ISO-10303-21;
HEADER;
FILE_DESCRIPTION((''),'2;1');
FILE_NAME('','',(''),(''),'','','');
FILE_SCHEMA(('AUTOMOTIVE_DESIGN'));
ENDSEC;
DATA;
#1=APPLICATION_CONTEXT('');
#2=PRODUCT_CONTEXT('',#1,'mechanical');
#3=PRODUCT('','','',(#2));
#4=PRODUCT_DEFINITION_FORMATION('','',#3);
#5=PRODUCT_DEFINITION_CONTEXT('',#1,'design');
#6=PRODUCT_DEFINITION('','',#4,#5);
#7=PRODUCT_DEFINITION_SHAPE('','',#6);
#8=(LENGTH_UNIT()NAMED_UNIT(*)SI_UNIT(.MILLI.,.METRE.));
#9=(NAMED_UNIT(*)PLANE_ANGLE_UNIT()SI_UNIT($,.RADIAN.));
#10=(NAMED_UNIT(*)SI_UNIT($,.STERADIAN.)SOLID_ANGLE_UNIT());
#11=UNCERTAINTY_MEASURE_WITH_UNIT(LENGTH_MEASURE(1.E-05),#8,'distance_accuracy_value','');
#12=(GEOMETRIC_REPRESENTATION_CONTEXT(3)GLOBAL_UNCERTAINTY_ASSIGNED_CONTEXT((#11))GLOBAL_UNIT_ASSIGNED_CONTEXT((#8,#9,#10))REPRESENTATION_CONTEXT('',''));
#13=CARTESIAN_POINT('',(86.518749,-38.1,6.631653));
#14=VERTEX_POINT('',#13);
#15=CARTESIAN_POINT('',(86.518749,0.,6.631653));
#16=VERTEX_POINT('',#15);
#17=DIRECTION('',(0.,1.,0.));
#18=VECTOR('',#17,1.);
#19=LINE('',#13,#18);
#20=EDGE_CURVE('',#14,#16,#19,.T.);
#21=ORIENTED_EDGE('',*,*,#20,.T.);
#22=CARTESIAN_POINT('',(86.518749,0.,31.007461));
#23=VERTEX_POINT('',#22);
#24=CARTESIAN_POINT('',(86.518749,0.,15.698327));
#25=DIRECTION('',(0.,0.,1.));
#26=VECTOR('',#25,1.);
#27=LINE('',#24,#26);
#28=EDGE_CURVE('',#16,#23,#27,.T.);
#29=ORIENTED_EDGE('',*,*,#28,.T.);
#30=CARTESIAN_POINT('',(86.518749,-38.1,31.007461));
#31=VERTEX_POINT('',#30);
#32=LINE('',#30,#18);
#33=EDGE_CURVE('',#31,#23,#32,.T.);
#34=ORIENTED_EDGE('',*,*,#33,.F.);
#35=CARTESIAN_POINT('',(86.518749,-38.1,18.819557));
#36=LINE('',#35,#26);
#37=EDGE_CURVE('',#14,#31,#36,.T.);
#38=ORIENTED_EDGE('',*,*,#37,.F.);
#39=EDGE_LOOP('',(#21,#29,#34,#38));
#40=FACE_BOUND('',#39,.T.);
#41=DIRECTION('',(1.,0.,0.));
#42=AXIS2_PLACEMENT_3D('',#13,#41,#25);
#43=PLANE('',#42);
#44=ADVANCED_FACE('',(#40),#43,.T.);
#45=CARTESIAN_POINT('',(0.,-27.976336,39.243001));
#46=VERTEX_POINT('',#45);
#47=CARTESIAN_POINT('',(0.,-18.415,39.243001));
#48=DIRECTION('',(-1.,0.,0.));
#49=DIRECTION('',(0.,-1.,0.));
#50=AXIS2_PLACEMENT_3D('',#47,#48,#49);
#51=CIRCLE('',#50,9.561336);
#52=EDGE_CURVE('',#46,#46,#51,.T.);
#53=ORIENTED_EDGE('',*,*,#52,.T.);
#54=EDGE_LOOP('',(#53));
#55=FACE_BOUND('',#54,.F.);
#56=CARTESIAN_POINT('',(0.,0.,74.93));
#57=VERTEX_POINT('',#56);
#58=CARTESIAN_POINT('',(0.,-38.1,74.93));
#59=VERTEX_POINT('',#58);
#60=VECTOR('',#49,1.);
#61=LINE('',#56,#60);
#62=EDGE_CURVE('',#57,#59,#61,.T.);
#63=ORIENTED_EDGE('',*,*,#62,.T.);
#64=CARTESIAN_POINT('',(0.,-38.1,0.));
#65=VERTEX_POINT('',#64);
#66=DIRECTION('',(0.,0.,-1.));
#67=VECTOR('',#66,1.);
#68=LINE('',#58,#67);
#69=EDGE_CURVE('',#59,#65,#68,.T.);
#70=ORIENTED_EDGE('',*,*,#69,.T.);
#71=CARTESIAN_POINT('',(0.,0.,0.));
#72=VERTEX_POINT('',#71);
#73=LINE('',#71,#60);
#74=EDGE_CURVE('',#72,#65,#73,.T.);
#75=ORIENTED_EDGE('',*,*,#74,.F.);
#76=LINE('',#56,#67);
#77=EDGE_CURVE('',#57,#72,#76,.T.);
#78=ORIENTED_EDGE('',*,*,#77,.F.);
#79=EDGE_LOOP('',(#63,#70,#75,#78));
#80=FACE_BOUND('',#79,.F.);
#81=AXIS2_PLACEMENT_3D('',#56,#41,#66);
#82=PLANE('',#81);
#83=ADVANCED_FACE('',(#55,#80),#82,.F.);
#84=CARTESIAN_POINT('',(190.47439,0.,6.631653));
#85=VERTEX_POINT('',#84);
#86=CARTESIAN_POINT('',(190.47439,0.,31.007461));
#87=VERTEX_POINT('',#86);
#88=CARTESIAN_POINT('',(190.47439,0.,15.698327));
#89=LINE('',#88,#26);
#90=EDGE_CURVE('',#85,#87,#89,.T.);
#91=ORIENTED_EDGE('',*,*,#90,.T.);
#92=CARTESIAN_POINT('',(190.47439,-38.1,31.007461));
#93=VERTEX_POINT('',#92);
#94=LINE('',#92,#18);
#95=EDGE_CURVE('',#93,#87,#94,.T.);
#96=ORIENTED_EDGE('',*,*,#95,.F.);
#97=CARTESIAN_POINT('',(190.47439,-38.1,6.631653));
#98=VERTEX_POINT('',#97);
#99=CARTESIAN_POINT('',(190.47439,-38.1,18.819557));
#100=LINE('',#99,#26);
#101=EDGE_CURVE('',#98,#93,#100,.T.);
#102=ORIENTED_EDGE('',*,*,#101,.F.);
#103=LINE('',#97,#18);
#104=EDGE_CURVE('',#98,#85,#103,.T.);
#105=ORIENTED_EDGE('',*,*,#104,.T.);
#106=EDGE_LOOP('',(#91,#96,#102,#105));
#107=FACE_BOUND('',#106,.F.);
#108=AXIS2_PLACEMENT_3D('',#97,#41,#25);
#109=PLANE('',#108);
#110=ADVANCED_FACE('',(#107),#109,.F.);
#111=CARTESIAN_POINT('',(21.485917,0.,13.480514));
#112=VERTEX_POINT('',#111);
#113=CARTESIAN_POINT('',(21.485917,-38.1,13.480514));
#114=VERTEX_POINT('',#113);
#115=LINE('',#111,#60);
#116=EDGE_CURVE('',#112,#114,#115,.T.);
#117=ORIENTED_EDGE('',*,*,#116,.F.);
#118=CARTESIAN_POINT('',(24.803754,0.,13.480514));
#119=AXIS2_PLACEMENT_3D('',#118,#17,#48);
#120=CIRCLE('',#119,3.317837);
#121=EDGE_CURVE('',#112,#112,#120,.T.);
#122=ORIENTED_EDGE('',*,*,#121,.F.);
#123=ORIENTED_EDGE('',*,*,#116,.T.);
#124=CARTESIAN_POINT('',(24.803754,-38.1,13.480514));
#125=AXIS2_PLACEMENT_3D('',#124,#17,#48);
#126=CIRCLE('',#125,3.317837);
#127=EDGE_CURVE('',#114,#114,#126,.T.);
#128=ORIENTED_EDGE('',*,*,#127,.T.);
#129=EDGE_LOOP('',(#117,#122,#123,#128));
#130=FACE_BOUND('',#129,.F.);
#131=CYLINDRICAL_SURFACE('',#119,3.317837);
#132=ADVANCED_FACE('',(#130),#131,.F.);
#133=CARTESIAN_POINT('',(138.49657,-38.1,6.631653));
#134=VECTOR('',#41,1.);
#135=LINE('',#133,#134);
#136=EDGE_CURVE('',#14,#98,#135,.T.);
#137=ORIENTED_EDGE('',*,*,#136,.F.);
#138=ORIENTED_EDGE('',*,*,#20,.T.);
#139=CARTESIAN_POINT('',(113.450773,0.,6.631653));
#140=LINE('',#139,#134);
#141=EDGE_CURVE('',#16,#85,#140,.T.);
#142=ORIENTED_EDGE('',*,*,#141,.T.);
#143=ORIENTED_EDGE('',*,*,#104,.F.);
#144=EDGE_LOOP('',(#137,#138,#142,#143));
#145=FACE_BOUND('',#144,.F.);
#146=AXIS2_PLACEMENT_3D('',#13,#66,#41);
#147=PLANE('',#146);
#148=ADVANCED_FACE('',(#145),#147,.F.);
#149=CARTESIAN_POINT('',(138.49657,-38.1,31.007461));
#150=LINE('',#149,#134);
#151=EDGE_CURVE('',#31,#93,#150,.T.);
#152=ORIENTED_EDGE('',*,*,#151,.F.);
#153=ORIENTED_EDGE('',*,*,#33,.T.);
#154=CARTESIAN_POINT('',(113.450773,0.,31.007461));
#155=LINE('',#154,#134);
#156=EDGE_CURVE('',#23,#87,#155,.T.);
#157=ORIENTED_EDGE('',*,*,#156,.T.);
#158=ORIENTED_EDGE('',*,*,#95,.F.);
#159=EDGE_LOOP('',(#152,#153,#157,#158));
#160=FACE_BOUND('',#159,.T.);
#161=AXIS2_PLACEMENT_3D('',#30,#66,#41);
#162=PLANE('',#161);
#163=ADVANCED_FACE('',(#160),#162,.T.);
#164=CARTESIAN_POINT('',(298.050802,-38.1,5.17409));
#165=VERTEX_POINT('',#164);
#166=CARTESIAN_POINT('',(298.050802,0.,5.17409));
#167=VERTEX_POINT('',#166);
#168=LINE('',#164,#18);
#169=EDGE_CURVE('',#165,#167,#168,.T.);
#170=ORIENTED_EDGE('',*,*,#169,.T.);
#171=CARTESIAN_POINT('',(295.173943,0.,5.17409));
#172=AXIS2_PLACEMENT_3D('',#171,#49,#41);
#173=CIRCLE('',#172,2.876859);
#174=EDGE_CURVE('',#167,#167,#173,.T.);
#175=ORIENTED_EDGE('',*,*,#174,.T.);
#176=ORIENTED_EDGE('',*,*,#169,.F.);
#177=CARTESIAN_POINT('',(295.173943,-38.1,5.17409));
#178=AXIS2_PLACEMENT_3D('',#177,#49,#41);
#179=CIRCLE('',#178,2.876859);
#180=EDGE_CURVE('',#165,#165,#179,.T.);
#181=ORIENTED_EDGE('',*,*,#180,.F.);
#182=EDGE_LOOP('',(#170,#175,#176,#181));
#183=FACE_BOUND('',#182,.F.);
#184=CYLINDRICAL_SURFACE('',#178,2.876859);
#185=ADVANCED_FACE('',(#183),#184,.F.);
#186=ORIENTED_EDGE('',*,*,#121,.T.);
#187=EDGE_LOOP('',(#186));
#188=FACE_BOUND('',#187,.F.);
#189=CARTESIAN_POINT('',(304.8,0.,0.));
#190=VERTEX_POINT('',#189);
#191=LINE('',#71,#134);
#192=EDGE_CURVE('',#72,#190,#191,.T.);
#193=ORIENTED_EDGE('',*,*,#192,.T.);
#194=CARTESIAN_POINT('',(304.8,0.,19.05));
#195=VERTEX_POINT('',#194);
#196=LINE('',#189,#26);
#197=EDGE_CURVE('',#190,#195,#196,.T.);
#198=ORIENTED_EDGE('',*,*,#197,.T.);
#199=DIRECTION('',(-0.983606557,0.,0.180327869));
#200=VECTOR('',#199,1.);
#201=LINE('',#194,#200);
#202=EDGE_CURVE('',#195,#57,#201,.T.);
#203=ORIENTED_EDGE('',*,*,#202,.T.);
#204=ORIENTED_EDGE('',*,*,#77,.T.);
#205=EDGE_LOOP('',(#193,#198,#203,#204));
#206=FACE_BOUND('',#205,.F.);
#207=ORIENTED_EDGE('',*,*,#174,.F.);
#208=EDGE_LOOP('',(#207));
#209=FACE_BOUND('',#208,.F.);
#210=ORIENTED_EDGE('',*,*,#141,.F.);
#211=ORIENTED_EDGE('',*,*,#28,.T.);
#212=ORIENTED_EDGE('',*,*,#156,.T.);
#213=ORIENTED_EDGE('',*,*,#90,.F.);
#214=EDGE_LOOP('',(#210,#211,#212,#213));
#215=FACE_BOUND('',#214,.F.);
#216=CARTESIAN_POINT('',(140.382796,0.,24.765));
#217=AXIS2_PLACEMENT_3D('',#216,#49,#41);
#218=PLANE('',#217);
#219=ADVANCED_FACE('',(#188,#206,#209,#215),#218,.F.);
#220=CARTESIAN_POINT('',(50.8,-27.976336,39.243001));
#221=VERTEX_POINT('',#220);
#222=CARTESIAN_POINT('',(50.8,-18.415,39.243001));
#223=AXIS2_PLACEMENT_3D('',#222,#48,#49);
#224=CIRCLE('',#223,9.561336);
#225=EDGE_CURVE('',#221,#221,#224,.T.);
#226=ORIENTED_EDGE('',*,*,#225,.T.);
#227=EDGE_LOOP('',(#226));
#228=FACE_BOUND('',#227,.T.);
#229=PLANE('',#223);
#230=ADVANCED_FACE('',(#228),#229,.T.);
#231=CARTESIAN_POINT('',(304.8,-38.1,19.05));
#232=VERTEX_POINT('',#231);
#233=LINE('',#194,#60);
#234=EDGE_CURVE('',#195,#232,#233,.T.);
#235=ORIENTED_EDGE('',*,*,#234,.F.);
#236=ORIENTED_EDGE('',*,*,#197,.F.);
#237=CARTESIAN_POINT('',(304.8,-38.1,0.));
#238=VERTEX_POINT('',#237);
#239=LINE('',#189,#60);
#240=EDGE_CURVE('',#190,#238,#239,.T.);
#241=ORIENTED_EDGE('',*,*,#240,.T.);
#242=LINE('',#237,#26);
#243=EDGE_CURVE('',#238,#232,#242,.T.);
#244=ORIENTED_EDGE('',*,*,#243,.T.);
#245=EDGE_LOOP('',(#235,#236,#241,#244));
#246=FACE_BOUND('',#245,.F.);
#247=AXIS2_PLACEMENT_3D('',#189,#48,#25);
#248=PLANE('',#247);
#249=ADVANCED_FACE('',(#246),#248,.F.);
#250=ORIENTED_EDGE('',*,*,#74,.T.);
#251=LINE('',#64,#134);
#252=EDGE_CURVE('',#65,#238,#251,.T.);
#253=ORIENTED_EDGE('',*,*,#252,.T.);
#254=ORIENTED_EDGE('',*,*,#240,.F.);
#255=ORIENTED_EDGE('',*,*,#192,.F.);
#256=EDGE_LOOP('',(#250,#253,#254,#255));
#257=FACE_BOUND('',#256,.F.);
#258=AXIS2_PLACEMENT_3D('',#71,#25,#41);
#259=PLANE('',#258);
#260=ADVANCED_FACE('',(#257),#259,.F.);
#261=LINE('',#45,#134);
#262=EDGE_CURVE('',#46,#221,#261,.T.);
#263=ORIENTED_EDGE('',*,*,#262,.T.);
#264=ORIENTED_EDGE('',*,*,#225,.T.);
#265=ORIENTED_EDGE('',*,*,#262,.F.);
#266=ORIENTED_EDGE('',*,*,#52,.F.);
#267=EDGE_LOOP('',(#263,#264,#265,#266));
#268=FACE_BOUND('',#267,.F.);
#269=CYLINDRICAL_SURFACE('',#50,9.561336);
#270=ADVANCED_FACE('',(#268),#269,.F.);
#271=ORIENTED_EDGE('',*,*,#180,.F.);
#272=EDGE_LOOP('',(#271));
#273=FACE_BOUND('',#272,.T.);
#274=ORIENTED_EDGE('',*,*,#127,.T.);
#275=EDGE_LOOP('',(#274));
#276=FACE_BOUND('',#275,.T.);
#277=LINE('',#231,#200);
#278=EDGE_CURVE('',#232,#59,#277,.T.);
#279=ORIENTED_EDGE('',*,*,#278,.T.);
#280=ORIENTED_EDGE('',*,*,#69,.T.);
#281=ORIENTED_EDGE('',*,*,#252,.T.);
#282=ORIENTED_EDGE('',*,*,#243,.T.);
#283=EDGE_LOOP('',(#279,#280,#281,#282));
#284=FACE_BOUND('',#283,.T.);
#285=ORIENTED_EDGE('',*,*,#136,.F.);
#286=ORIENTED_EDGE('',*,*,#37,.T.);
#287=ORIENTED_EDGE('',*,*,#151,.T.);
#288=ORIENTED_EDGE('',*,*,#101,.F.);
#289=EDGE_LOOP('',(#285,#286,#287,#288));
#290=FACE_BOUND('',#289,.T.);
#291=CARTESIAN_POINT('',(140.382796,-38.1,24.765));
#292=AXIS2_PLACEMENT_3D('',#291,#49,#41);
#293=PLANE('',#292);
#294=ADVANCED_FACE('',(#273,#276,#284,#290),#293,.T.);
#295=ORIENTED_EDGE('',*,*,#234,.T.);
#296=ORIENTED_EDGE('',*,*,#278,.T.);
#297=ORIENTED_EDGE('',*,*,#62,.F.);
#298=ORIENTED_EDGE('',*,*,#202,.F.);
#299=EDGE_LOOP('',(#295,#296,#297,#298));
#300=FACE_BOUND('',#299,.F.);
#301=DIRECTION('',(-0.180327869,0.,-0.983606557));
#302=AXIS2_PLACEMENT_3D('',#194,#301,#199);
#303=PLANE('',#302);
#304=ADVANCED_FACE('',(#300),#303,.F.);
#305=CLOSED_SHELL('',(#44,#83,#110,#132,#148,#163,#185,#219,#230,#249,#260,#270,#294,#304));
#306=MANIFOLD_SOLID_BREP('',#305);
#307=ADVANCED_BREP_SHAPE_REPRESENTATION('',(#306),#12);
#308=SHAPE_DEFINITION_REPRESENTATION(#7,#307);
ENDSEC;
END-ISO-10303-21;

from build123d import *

# Parameters (mm, degrees)
F1_DEPTH = 38.1
F2_R     = 9.561336
F3_DEPTH = 50.8
F4_R     = 3.317837
F5_DEPTH = 42.926
F6_W     = 103.955641
F6_H     = 24.375808
F7_DEPTH = 50.8
F8_R     = 2.876859
F9_DEPTH = 45.212


with BuildPart() as f1:
    # F0 (on Front) → F1 (new body)
    with BuildSketch(Plane.XZ):
        Polygon((0, 74.93), (0, 0), (304.8, 0), (304.8, 19.05), align=None)
    extrude(amount=F1_DEPTH)

    # F2 (on face) → F3 (cut)
    with BuildSketch(Plane(origin=(0, 0, 0), x_dir=(0, -1, 0), z_dir=(-1, 0, 0))):
        with Locations((18.415, 39.243001)):
            Circle(F2_R)
    extrude(amount=-F3_DEPTH, mode=Mode.SUBTRACT)

    # F4 (on face) → F5 (cut)
    with BuildSketch(Plane(origin=(0, 0, 0), x_dir=(-1, 0, 0), z_dir=(0, 1, 0))):
        with Locations((-24.803754, 13.480514)):
            Circle(F4_R)
    extrude(amount=-F5_DEPTH, mode=Mode.SUBTRACT)

    # F6 (on face) → F7 (cut)
    with BuildSketch(Plane.XZ.offset(38.1)):
        with Locations((138.49657, 18.819557)):
            Rectangle(F6_W, F6_H)
    extrude(amount=-F7_DEPTH, mode=Mode.SUBTRACT)

    # F8 (on face) → F9 (cut)
    with BuildSketch(Plane.XZ.offset(38.1)):
        with Locations((295.173943, 5.17409)):
            Circle(F8_R)
    extrude(amount=-F9_DEPTH, mode=Mode.SUBTRACT)


solid = f1.part
